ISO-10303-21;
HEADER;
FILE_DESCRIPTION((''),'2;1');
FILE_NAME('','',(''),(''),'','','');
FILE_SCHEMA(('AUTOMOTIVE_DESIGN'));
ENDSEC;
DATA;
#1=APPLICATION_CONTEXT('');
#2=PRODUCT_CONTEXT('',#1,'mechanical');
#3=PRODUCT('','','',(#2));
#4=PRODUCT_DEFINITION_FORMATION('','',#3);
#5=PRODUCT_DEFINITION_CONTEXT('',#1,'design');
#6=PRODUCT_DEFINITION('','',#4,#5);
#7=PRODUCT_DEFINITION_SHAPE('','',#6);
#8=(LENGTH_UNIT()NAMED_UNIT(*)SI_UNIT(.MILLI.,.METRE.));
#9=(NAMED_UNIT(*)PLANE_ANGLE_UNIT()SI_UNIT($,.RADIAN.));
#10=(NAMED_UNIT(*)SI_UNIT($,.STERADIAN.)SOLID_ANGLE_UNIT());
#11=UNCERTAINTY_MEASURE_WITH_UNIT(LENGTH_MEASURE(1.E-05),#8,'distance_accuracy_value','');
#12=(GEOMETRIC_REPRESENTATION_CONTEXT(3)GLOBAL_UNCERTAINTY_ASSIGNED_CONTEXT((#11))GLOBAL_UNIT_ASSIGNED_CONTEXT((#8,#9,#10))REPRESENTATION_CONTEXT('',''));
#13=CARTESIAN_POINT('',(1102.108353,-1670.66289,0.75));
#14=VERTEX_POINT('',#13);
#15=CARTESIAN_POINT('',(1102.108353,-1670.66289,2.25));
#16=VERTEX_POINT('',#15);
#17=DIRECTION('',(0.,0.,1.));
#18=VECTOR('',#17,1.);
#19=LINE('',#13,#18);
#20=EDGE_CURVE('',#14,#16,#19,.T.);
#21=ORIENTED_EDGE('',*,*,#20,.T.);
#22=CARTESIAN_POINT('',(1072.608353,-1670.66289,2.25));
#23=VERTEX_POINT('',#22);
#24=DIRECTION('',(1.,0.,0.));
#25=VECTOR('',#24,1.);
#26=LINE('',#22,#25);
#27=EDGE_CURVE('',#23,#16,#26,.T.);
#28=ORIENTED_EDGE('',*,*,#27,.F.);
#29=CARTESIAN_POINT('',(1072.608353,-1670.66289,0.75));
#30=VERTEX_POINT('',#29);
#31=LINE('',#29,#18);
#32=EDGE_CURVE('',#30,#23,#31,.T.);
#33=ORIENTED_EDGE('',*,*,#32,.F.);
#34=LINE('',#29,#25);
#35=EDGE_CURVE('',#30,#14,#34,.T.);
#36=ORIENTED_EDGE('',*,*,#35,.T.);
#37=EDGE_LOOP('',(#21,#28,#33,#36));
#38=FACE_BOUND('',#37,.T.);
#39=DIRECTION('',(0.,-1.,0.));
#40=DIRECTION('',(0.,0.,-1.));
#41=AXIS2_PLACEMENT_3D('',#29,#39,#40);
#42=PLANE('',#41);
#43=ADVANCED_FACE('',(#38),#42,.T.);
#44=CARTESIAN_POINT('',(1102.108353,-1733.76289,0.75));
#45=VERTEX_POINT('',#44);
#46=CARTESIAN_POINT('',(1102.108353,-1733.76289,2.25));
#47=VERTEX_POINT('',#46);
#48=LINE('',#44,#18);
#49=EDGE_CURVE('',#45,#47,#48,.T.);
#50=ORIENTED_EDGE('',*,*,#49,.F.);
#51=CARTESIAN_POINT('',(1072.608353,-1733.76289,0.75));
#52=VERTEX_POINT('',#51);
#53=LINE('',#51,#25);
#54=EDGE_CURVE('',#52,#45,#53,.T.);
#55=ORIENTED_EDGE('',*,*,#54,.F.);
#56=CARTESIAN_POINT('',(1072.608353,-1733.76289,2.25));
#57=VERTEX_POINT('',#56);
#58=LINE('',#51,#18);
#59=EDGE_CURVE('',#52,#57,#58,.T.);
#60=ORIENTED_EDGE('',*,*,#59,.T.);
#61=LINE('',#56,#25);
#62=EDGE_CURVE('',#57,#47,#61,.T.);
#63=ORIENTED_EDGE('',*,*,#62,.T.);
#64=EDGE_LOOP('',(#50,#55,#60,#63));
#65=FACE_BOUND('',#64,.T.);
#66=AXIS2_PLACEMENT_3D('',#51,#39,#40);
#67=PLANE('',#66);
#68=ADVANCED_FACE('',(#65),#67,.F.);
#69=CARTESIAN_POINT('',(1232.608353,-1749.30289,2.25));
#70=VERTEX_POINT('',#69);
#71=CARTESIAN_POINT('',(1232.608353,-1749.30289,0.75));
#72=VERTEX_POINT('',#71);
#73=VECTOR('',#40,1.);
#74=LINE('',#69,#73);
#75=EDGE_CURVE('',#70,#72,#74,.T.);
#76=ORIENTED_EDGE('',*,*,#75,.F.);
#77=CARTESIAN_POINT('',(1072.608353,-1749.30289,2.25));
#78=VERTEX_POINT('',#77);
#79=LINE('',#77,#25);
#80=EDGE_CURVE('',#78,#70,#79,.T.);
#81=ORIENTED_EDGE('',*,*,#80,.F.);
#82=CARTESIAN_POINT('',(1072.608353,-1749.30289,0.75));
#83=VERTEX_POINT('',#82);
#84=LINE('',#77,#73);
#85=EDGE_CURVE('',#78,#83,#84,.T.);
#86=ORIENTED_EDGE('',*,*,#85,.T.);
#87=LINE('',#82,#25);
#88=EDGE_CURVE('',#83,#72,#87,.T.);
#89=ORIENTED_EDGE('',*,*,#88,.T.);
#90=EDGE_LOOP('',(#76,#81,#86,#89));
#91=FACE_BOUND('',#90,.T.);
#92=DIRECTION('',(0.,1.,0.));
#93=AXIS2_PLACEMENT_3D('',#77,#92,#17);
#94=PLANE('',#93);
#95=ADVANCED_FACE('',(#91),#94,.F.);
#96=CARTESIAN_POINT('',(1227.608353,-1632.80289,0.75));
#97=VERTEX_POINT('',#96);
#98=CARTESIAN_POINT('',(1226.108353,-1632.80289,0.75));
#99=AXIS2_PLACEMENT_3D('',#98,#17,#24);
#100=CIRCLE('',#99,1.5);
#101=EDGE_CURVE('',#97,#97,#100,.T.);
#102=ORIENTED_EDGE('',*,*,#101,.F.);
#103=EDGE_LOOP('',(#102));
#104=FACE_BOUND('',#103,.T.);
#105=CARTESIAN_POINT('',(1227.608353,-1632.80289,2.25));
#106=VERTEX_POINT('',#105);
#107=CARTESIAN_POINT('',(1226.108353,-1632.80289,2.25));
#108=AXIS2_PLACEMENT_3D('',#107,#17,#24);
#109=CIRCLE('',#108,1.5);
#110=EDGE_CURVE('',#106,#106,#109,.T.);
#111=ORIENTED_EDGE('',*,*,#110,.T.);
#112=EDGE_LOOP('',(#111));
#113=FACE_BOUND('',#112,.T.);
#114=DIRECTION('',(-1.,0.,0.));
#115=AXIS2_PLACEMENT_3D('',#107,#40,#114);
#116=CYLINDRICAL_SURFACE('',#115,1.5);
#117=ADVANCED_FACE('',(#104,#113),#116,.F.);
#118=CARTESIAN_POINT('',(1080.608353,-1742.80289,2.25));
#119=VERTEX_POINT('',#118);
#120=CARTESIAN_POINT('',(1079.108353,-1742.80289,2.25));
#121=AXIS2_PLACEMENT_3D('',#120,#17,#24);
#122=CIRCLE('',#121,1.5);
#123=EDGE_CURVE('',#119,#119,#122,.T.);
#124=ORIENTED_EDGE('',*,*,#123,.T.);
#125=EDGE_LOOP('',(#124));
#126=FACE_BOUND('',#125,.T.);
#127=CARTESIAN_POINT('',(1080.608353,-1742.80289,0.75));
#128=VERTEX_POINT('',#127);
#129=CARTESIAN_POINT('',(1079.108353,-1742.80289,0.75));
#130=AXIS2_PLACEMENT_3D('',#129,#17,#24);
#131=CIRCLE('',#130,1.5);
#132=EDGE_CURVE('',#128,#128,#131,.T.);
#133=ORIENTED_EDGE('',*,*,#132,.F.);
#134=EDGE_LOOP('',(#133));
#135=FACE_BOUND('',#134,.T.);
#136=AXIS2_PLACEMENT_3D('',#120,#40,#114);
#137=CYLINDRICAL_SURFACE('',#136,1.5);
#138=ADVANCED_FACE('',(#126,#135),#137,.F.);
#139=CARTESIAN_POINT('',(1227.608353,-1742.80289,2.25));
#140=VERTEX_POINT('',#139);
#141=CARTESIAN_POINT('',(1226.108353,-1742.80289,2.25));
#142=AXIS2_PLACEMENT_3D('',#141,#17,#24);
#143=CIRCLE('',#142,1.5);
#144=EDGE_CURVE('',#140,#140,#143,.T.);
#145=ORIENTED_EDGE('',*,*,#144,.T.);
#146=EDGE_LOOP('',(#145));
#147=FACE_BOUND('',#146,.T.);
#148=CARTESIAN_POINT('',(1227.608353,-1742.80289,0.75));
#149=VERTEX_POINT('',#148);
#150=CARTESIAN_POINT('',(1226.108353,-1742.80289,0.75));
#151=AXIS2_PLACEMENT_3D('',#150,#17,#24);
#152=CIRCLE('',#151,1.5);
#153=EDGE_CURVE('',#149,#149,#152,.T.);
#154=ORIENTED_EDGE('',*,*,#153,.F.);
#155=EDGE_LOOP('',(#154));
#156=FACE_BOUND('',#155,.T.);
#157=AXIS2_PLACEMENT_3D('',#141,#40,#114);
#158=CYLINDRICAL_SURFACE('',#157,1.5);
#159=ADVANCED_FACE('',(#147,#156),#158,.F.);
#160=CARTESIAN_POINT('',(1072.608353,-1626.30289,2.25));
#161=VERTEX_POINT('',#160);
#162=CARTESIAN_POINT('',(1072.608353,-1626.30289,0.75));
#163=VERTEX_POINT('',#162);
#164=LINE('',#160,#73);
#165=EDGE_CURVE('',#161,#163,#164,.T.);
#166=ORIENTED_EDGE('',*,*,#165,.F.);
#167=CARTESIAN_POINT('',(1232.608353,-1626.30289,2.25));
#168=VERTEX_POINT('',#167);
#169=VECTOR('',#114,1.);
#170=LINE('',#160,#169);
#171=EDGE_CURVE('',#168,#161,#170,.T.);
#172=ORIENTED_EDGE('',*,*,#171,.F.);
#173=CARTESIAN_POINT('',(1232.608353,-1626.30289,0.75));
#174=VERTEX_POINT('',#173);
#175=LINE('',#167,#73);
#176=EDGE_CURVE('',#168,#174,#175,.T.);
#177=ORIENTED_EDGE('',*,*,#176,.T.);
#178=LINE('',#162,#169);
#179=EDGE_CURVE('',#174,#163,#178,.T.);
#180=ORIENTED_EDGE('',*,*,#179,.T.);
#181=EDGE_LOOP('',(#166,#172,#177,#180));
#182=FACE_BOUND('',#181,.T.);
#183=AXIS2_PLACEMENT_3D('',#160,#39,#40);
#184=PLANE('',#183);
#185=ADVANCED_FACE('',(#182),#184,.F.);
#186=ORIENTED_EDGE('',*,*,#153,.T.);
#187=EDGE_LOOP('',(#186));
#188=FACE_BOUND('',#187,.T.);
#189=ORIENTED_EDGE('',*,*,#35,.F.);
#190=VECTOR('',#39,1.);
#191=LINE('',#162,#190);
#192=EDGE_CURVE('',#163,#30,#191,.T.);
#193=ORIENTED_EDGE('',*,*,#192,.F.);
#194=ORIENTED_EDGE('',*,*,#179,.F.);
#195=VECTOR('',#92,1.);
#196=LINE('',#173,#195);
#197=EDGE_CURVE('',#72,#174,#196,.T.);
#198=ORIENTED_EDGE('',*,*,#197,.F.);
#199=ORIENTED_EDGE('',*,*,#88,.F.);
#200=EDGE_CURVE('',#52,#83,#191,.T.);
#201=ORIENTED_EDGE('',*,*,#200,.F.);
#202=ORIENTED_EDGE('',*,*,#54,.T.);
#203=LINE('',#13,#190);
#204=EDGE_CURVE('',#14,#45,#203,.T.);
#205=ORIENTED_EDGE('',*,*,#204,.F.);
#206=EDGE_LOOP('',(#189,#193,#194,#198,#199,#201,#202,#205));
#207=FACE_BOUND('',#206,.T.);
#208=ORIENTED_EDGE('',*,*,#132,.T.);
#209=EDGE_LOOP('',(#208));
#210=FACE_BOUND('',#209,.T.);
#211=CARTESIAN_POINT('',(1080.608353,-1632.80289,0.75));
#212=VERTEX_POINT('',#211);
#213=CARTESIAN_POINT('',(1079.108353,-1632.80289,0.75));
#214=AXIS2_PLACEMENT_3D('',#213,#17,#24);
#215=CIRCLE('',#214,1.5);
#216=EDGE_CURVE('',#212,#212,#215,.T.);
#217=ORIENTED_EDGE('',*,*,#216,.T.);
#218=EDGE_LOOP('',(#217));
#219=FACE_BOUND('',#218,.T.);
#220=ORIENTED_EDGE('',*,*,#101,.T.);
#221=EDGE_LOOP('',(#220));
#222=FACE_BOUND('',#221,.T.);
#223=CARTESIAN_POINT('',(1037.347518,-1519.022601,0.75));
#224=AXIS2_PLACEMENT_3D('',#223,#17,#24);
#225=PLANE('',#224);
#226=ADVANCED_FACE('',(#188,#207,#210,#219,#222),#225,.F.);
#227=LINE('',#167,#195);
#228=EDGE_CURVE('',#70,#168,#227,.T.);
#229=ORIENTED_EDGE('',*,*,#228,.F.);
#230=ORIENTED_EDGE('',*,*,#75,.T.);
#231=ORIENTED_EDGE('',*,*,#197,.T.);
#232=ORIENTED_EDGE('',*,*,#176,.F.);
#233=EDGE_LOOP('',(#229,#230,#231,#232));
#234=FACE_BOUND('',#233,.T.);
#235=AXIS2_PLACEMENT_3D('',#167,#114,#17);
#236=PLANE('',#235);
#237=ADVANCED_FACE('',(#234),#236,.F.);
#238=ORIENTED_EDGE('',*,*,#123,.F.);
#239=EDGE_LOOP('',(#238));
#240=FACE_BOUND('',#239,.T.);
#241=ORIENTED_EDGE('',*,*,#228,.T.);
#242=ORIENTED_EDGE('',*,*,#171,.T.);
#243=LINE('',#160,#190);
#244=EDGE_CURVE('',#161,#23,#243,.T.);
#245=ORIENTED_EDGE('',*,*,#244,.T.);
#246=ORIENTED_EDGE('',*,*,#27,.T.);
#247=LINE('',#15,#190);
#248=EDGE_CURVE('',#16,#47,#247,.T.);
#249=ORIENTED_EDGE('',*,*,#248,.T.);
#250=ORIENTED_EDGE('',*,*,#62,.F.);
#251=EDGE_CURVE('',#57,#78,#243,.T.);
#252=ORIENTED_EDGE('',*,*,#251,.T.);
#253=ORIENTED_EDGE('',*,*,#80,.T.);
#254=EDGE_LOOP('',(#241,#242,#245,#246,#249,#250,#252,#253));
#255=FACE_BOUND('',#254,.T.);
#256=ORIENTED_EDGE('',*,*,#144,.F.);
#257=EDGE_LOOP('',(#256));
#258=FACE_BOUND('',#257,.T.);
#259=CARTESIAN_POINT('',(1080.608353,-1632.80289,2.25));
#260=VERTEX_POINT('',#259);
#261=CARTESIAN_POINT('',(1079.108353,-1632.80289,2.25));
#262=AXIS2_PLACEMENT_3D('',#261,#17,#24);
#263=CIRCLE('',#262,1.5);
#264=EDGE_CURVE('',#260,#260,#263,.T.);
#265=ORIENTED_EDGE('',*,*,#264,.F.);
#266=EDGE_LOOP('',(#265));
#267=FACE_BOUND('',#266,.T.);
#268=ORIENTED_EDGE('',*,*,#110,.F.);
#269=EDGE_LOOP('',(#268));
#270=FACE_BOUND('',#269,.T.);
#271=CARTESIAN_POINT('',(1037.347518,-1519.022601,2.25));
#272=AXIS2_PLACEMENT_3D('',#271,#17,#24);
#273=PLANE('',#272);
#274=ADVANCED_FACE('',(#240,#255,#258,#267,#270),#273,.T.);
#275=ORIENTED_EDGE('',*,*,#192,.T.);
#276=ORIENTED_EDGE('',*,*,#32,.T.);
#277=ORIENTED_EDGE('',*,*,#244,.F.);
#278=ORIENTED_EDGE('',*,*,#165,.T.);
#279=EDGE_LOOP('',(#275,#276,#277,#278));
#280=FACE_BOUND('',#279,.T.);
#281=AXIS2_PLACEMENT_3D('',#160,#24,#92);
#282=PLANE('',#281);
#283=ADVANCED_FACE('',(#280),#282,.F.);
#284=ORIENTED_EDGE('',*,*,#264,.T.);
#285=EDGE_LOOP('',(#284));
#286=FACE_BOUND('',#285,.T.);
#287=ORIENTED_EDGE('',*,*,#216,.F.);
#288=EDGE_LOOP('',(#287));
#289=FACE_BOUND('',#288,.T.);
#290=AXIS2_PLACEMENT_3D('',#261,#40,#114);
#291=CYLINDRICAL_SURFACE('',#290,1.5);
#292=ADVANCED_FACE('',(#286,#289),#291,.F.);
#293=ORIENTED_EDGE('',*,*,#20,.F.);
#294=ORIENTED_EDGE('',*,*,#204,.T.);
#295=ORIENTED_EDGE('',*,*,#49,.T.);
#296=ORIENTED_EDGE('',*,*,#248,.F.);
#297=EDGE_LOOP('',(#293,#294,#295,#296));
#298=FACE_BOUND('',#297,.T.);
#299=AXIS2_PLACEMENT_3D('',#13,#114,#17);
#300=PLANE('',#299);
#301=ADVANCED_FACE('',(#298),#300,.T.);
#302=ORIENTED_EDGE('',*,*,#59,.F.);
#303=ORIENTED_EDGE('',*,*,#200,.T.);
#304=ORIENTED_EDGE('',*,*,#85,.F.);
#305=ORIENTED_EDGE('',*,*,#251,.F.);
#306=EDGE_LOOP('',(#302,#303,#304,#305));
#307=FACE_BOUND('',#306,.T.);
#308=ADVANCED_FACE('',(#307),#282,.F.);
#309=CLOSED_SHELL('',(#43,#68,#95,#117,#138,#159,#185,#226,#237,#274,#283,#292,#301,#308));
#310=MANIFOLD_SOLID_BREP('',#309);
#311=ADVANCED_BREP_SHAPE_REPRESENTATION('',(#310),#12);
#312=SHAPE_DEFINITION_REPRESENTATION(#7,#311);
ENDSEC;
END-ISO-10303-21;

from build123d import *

# Parameters (mm, degrees)
SKETCH_1_W          = 1600
SKETCH_1_H          = 1230
SKETCH_1_R          = 15
EXTRUDE_1_DEPTH     = 3
SCALE_1_SCALE_X     = 0.1
SCALE_1_SCALE_Y     = 0.1
SCALE_1_SCALE_Z     = 0.5
SKETCH_2_W          = 29.5
SKETCH_2_H          = 63.1
CUT_EXTRUDE_1_DEPTH = 2.5000001


with BuildPart() as part:
    # 草图1 → 凸台-拉伸1 (new body)
    with BuildSketch(Plane.XY):
        with Locations((1152.60835314, -1687.80288964)):
            Rectangle(SKETCH_1_W, SKETCH_1_H)
        with Locations((417.60835314, -1137.80288964)):
            Circle(SKETCH_1_R, mode=Mode.SUBTRACT)
        with Locations((1887.60835314, -1137.80288964)):
            Circle(SKETCH_1_R, mode=Mode.SUBTRACT)
        with Locations((1887.60835314, -2237.80288964)):
            Circle(SKETCH_1_R, mode=Mode.SUBTRACT)
        with Locations((417.60835314, -2237.80288964)):
            Circle(SKETCH_1_R, mode=Mode.SUBTRACT)
    extrude(amount=EXTRUDE_1_DEPTH)


with BuildPart() as part_1:
    # 缩放比例1: scaled about (1152.60835314, -1687.80288964, 1.5)
    add(part.part.scale((SCALE_1_SCALE_X, SCALE_1_SCALE_Y, SCALE_1_SCALE_Z), about=(1152.60835314, -1687.80288964, 1.5)))

    # 草图2 → 切除-拉伸1 (cut, through all)
    with BuildSketch(Plane.XY.offset(2.25)):
        with Locations((1087.35835314, -1702.21288964)):
            Rectangle(SKETCH_2_W, SKETCH_2_H)
    extrude(amount=-CUT_EXTRUDE_1_DEPTH, mode=Mode.SUBTRACT)


solid = part_1.part
